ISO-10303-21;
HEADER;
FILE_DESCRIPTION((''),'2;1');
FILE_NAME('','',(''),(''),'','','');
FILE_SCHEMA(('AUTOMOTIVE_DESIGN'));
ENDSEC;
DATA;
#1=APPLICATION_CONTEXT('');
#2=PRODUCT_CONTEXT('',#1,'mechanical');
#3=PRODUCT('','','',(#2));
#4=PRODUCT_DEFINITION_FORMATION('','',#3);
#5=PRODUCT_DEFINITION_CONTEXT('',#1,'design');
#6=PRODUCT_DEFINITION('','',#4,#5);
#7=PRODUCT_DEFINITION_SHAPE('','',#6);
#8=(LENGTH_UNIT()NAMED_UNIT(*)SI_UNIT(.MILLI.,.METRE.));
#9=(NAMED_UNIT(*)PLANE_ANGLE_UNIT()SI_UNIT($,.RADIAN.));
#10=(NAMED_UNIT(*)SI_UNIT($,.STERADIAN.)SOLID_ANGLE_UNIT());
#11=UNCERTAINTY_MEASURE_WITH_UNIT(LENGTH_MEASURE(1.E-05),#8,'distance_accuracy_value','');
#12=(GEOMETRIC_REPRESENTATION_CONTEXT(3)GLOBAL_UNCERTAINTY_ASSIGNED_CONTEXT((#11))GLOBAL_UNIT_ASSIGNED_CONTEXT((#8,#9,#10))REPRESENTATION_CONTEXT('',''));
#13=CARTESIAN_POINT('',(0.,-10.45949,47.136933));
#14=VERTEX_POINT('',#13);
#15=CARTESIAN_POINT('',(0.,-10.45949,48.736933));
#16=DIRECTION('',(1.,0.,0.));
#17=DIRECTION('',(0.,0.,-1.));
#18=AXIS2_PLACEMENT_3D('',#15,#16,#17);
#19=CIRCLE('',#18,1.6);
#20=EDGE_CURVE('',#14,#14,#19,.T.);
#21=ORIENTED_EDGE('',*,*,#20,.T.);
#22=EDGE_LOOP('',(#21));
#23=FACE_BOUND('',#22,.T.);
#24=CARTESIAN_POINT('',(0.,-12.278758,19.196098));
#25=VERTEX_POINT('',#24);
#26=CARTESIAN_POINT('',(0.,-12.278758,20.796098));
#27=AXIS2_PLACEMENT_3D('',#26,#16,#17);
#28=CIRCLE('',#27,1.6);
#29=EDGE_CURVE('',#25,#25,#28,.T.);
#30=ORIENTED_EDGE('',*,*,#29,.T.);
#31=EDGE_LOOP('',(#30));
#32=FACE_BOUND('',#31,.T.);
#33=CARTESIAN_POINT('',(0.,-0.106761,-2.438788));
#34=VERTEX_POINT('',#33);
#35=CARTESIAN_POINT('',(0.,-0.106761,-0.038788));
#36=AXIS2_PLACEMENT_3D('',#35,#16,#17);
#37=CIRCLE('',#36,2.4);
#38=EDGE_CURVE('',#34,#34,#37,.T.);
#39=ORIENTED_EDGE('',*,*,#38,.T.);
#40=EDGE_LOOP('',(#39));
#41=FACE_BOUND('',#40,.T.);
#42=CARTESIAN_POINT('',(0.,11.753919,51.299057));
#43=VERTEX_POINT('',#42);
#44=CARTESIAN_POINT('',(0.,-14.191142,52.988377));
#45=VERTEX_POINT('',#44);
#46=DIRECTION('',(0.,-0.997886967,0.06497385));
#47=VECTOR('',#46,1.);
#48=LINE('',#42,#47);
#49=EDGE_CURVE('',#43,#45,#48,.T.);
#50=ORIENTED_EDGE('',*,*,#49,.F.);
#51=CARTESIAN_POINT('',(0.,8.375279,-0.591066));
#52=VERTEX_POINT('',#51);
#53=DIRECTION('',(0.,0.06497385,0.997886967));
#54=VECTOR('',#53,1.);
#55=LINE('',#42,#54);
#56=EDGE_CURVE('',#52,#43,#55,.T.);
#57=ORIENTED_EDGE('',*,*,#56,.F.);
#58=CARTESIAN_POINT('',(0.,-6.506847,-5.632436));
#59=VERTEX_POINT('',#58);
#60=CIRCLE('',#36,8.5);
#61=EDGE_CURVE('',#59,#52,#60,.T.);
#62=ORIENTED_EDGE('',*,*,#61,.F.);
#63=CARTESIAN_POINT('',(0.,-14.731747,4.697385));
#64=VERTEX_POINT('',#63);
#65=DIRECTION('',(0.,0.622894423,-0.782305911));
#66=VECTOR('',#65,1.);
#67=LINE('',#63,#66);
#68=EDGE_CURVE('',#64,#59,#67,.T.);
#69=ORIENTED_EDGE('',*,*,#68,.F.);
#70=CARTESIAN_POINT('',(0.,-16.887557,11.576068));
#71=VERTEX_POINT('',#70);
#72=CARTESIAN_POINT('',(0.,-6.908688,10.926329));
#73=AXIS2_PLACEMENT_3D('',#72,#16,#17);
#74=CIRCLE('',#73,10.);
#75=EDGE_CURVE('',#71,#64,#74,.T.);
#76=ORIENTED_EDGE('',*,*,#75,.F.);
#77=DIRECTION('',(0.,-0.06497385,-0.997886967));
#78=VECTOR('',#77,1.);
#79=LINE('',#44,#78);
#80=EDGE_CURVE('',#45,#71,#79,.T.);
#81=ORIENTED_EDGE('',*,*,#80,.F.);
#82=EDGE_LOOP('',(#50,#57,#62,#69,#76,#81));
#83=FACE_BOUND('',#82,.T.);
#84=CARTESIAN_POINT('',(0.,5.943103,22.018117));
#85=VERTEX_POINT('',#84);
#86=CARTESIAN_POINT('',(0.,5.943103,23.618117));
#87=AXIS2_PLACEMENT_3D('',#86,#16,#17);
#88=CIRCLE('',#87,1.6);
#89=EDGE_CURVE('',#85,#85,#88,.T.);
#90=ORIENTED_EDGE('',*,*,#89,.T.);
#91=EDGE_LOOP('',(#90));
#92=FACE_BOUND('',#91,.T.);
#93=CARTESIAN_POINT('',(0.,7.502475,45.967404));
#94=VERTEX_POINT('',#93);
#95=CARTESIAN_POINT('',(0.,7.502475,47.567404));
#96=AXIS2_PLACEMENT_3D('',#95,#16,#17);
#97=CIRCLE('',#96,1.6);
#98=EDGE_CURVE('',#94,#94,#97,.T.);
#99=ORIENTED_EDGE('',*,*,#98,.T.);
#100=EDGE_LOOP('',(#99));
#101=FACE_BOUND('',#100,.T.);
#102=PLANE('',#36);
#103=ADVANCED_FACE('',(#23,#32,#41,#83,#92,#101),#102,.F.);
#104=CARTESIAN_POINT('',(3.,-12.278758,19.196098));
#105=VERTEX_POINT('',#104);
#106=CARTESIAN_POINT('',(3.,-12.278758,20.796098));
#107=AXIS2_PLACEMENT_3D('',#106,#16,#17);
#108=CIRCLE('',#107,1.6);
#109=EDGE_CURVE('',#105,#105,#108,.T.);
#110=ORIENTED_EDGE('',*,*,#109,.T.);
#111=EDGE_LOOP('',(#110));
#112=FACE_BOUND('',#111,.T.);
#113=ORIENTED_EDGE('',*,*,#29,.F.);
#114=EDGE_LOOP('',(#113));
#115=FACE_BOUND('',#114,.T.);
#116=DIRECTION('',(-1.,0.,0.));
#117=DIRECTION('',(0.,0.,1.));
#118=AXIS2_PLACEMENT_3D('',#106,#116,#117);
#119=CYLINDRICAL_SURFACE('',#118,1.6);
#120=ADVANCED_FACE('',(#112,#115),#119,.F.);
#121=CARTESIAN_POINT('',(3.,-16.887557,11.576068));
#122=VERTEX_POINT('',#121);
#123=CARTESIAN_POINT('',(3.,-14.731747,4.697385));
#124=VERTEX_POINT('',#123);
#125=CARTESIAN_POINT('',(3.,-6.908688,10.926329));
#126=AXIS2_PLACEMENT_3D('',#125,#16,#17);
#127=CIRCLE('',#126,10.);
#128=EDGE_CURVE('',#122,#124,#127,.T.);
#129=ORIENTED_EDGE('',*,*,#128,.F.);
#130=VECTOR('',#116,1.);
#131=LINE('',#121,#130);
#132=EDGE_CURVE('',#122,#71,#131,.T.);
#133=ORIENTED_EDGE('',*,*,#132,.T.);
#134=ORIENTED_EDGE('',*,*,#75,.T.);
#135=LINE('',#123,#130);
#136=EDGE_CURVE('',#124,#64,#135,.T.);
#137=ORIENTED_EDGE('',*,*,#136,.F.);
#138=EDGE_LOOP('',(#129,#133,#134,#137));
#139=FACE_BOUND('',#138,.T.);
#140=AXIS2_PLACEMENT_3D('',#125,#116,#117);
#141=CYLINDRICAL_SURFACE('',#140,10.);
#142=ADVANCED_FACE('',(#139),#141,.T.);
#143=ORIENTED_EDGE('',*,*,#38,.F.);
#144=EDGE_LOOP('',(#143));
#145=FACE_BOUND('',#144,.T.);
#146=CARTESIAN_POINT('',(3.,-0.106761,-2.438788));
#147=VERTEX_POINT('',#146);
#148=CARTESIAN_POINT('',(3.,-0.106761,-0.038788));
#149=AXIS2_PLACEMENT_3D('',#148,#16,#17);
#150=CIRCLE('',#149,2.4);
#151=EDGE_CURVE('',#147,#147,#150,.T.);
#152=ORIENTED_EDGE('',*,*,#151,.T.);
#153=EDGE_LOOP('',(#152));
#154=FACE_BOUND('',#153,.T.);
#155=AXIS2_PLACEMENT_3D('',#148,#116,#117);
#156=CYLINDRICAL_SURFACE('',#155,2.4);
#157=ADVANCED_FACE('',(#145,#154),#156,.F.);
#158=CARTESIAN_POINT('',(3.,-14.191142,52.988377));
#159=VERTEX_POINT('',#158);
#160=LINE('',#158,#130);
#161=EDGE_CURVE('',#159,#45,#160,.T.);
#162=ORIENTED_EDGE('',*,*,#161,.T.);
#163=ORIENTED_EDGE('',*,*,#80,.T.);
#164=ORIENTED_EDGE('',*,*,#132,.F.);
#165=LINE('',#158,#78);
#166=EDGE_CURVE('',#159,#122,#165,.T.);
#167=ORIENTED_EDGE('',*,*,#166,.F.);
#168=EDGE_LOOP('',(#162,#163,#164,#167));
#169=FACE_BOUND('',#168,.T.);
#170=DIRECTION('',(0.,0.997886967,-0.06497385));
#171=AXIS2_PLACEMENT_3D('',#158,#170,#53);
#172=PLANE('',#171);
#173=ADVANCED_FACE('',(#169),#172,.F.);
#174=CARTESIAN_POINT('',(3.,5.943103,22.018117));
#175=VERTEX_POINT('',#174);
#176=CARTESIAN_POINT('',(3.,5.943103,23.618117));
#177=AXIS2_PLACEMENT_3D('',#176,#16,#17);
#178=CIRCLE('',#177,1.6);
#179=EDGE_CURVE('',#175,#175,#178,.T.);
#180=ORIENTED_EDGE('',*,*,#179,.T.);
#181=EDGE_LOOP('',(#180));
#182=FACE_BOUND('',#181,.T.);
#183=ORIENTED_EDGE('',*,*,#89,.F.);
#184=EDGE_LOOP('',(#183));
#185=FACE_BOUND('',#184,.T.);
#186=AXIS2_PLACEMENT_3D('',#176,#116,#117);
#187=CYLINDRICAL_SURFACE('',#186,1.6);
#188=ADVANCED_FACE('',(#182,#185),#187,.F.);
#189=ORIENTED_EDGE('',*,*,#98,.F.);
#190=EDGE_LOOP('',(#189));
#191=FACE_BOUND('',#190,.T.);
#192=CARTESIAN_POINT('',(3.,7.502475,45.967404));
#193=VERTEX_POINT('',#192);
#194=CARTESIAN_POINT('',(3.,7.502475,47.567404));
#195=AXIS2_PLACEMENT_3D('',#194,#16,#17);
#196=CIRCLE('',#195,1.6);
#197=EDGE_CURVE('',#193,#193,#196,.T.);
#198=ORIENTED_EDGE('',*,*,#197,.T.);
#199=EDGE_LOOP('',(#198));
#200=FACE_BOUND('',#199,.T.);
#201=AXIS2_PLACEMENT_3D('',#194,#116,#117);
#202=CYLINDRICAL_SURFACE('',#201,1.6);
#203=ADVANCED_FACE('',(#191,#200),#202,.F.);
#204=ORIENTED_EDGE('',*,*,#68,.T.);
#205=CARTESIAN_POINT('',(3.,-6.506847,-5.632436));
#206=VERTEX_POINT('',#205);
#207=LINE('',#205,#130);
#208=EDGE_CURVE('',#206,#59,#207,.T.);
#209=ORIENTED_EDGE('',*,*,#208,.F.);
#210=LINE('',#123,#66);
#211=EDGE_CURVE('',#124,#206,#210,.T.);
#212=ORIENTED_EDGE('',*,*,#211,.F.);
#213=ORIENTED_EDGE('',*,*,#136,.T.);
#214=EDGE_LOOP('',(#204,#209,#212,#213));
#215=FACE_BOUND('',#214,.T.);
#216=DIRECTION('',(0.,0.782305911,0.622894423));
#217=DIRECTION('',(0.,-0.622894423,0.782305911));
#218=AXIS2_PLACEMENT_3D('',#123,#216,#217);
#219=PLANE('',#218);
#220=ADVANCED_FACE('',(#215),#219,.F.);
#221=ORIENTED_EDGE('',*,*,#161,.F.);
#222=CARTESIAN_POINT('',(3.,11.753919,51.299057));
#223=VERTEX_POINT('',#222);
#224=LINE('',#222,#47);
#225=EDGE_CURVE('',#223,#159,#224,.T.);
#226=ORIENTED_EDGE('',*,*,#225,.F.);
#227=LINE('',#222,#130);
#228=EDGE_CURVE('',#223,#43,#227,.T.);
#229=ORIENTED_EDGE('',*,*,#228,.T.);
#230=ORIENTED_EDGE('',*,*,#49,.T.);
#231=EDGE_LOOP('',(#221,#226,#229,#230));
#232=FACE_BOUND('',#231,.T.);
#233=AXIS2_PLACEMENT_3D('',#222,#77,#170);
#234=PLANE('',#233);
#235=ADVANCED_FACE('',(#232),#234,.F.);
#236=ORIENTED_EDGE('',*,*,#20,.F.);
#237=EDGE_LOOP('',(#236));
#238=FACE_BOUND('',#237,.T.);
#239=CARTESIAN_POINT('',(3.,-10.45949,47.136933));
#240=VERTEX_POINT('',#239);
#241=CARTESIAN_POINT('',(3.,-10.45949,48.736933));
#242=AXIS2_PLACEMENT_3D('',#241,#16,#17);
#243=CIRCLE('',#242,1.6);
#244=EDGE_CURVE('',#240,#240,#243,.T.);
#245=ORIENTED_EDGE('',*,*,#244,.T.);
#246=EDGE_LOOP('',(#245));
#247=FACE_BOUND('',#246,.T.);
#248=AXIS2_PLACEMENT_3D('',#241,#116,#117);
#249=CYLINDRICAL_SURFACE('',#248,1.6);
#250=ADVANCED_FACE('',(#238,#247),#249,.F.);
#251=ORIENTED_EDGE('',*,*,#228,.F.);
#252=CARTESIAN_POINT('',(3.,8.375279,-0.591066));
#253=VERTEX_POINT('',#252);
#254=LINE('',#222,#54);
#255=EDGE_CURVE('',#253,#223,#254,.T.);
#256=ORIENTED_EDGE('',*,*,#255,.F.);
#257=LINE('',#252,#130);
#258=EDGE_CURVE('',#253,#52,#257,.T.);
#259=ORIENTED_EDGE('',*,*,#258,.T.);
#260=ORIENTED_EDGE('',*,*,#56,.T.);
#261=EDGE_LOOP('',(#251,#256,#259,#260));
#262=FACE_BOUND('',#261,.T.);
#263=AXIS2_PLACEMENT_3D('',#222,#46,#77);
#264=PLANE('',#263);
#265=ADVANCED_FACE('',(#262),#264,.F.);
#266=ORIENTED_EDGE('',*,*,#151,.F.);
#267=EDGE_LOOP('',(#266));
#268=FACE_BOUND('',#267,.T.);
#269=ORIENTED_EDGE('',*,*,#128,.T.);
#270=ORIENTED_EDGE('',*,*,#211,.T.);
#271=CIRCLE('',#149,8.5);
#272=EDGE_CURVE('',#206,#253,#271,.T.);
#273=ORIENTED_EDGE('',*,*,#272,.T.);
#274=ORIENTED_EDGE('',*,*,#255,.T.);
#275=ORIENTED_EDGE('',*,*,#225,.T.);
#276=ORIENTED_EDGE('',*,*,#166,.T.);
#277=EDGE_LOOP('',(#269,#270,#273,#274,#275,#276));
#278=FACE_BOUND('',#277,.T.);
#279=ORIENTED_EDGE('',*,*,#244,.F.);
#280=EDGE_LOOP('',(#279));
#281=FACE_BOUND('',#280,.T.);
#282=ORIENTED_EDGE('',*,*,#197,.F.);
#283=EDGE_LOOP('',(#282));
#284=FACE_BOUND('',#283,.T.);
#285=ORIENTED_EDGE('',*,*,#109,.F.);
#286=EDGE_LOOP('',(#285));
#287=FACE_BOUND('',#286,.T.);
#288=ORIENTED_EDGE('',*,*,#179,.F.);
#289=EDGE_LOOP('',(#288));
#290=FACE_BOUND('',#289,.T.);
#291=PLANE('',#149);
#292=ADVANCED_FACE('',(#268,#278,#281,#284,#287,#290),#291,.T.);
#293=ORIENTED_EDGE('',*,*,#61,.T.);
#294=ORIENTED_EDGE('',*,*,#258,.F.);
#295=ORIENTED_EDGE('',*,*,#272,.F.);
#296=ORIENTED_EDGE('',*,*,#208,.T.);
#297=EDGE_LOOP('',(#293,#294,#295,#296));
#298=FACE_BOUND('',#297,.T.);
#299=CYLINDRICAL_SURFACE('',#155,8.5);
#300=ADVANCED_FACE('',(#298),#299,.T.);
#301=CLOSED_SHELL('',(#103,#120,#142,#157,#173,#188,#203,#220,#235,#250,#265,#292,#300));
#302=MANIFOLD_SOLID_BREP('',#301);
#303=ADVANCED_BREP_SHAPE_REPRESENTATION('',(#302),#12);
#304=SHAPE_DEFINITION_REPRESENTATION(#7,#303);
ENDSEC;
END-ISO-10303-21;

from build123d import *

# Parameters (mm, degrees)
SKETCH_1_R      = 2.4
SKETCH_1_R_2    = 1.6
EXTRUDE_1_DEPTH = 3


with BuildPart() as part:
    # 草图1 → 凸台-拉伸1 (new body)
    with BuildSketch(Plane(origin=(0, 0, 0), x_dir=(0, 0, -1), z_dir=(1, 0, 0))):
        with BuildLine():
            Line((-52.988376737, -14.191142444), (-11.576067608, -16.887557214))
            ThreePointArc((-11.576067608, -16.887557214), (-7.935716472, -16.451026673), (-4.697384878, -14.73174665))
            Line((-4.697384878, -14.73174665), (5.632436087, -6.506846665))
            ThreePointArc((5.632436087, -6.506846665), (8.08940986, 2.62041481), (0.591065641, 8.375278503))
            Line((0.591065641, 8.375278503), (-51.299056641, 11.753918697))
            Line((-51.299056641, 11.753918697), (-52.988376737, -14.191142444))
        make_face()
        with Locations((0.038787918, -0.106760716)):
            Circle(SKETCH_1_R, mode=Mode.SUBTRACT)
        with Locations((-47.567404172, 7.502475429)):
            Circle(SKETCH_1_R_2, mode=Mode.SUBTRACT)
        with Locations((-20.796098395, -12.278757773)):
            Circle(SKETCH_1_R_2, mode=Mode.SUBTRACT)
        with Locations((-23.618116965, 5.943103032)):
            Circle(SKETCH_1_R_2, mode=Mode.SUBTRACT)
        with Locations((-48.73693347, -10.459489976)):
            Circle(SKETCH_1_R_2, mode=Mode.SUBTRACT)
    extrude(amount=EXTRUDE_1_DEPTH)


solid = part.part
